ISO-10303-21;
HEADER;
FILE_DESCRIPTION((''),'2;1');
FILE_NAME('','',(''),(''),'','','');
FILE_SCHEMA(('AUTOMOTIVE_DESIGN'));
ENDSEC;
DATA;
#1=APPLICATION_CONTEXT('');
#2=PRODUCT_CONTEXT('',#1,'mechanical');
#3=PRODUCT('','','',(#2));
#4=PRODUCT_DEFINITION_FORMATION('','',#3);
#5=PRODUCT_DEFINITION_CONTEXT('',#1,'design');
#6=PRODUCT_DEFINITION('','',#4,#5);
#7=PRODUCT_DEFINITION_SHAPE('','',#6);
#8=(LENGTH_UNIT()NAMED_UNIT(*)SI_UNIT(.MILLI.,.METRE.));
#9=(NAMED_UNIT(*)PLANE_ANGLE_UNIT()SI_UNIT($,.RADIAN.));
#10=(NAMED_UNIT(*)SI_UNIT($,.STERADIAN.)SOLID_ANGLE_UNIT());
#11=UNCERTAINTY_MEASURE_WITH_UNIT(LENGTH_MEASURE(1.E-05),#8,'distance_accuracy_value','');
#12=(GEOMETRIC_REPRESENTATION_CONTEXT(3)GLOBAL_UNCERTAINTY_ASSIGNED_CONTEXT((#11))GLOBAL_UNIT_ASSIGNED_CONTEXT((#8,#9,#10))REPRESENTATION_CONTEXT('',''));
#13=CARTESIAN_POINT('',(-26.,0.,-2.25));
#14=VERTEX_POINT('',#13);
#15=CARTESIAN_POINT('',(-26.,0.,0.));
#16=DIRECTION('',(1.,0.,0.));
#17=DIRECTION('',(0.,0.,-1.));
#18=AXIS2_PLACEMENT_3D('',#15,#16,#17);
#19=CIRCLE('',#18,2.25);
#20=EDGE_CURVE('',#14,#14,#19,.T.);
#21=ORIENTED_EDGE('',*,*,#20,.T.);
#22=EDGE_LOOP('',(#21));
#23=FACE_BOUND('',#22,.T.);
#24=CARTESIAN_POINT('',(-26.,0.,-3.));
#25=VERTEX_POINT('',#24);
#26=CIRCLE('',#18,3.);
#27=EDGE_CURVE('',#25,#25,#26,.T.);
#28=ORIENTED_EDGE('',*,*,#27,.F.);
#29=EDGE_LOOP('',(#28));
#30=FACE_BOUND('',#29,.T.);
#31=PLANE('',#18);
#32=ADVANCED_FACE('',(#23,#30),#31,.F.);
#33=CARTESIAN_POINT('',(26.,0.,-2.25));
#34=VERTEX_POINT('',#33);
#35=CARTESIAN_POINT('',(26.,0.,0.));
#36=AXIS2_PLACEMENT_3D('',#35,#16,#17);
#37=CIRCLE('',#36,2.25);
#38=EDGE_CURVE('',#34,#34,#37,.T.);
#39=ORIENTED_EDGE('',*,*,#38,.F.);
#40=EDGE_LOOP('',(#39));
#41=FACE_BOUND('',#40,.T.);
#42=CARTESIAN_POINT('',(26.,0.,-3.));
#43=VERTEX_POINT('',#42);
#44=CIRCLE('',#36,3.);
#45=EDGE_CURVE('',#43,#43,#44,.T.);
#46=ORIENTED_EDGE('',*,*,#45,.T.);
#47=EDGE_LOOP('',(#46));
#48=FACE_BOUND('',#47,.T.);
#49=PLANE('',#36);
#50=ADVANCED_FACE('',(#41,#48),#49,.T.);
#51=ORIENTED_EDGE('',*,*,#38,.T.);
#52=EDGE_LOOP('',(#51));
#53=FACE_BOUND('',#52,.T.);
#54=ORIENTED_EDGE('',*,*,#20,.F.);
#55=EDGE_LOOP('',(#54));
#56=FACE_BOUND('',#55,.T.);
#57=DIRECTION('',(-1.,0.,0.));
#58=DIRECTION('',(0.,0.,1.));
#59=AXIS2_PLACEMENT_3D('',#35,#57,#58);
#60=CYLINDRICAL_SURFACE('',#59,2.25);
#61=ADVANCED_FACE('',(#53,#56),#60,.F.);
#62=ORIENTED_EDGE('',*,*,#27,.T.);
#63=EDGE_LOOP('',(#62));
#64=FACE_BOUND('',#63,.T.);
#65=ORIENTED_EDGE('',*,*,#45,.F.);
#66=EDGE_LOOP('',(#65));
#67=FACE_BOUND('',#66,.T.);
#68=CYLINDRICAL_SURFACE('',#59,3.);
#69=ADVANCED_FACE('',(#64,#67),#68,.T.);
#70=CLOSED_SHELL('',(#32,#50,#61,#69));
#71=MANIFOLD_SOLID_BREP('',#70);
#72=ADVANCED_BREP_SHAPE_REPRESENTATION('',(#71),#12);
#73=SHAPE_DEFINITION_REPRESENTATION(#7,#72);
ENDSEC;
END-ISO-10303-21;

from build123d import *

# Parameters (mm, degrees)
SKETCH1_R           = 3
SKETCH1_R_2         = 2.25
BOSS_EXTRUDE1_DEPTH = 26


with BuildPart() as part:
    # Sketch1 → Boss-Extrude1 (new body, symmetric)
    with BuildSketch(Plane(origin=(0, 0, 0), x_dir=(0, 0, -1), z_dir=(1, 0, 0))):
        Circle(SKETCH1_R)
        Circle(SKETCH1_R_2, mode=Mode.SUBTRACT)
    extrude(amount=BOSS_EXTRUDE1_DEPTH, both=True)


solid = part.part
